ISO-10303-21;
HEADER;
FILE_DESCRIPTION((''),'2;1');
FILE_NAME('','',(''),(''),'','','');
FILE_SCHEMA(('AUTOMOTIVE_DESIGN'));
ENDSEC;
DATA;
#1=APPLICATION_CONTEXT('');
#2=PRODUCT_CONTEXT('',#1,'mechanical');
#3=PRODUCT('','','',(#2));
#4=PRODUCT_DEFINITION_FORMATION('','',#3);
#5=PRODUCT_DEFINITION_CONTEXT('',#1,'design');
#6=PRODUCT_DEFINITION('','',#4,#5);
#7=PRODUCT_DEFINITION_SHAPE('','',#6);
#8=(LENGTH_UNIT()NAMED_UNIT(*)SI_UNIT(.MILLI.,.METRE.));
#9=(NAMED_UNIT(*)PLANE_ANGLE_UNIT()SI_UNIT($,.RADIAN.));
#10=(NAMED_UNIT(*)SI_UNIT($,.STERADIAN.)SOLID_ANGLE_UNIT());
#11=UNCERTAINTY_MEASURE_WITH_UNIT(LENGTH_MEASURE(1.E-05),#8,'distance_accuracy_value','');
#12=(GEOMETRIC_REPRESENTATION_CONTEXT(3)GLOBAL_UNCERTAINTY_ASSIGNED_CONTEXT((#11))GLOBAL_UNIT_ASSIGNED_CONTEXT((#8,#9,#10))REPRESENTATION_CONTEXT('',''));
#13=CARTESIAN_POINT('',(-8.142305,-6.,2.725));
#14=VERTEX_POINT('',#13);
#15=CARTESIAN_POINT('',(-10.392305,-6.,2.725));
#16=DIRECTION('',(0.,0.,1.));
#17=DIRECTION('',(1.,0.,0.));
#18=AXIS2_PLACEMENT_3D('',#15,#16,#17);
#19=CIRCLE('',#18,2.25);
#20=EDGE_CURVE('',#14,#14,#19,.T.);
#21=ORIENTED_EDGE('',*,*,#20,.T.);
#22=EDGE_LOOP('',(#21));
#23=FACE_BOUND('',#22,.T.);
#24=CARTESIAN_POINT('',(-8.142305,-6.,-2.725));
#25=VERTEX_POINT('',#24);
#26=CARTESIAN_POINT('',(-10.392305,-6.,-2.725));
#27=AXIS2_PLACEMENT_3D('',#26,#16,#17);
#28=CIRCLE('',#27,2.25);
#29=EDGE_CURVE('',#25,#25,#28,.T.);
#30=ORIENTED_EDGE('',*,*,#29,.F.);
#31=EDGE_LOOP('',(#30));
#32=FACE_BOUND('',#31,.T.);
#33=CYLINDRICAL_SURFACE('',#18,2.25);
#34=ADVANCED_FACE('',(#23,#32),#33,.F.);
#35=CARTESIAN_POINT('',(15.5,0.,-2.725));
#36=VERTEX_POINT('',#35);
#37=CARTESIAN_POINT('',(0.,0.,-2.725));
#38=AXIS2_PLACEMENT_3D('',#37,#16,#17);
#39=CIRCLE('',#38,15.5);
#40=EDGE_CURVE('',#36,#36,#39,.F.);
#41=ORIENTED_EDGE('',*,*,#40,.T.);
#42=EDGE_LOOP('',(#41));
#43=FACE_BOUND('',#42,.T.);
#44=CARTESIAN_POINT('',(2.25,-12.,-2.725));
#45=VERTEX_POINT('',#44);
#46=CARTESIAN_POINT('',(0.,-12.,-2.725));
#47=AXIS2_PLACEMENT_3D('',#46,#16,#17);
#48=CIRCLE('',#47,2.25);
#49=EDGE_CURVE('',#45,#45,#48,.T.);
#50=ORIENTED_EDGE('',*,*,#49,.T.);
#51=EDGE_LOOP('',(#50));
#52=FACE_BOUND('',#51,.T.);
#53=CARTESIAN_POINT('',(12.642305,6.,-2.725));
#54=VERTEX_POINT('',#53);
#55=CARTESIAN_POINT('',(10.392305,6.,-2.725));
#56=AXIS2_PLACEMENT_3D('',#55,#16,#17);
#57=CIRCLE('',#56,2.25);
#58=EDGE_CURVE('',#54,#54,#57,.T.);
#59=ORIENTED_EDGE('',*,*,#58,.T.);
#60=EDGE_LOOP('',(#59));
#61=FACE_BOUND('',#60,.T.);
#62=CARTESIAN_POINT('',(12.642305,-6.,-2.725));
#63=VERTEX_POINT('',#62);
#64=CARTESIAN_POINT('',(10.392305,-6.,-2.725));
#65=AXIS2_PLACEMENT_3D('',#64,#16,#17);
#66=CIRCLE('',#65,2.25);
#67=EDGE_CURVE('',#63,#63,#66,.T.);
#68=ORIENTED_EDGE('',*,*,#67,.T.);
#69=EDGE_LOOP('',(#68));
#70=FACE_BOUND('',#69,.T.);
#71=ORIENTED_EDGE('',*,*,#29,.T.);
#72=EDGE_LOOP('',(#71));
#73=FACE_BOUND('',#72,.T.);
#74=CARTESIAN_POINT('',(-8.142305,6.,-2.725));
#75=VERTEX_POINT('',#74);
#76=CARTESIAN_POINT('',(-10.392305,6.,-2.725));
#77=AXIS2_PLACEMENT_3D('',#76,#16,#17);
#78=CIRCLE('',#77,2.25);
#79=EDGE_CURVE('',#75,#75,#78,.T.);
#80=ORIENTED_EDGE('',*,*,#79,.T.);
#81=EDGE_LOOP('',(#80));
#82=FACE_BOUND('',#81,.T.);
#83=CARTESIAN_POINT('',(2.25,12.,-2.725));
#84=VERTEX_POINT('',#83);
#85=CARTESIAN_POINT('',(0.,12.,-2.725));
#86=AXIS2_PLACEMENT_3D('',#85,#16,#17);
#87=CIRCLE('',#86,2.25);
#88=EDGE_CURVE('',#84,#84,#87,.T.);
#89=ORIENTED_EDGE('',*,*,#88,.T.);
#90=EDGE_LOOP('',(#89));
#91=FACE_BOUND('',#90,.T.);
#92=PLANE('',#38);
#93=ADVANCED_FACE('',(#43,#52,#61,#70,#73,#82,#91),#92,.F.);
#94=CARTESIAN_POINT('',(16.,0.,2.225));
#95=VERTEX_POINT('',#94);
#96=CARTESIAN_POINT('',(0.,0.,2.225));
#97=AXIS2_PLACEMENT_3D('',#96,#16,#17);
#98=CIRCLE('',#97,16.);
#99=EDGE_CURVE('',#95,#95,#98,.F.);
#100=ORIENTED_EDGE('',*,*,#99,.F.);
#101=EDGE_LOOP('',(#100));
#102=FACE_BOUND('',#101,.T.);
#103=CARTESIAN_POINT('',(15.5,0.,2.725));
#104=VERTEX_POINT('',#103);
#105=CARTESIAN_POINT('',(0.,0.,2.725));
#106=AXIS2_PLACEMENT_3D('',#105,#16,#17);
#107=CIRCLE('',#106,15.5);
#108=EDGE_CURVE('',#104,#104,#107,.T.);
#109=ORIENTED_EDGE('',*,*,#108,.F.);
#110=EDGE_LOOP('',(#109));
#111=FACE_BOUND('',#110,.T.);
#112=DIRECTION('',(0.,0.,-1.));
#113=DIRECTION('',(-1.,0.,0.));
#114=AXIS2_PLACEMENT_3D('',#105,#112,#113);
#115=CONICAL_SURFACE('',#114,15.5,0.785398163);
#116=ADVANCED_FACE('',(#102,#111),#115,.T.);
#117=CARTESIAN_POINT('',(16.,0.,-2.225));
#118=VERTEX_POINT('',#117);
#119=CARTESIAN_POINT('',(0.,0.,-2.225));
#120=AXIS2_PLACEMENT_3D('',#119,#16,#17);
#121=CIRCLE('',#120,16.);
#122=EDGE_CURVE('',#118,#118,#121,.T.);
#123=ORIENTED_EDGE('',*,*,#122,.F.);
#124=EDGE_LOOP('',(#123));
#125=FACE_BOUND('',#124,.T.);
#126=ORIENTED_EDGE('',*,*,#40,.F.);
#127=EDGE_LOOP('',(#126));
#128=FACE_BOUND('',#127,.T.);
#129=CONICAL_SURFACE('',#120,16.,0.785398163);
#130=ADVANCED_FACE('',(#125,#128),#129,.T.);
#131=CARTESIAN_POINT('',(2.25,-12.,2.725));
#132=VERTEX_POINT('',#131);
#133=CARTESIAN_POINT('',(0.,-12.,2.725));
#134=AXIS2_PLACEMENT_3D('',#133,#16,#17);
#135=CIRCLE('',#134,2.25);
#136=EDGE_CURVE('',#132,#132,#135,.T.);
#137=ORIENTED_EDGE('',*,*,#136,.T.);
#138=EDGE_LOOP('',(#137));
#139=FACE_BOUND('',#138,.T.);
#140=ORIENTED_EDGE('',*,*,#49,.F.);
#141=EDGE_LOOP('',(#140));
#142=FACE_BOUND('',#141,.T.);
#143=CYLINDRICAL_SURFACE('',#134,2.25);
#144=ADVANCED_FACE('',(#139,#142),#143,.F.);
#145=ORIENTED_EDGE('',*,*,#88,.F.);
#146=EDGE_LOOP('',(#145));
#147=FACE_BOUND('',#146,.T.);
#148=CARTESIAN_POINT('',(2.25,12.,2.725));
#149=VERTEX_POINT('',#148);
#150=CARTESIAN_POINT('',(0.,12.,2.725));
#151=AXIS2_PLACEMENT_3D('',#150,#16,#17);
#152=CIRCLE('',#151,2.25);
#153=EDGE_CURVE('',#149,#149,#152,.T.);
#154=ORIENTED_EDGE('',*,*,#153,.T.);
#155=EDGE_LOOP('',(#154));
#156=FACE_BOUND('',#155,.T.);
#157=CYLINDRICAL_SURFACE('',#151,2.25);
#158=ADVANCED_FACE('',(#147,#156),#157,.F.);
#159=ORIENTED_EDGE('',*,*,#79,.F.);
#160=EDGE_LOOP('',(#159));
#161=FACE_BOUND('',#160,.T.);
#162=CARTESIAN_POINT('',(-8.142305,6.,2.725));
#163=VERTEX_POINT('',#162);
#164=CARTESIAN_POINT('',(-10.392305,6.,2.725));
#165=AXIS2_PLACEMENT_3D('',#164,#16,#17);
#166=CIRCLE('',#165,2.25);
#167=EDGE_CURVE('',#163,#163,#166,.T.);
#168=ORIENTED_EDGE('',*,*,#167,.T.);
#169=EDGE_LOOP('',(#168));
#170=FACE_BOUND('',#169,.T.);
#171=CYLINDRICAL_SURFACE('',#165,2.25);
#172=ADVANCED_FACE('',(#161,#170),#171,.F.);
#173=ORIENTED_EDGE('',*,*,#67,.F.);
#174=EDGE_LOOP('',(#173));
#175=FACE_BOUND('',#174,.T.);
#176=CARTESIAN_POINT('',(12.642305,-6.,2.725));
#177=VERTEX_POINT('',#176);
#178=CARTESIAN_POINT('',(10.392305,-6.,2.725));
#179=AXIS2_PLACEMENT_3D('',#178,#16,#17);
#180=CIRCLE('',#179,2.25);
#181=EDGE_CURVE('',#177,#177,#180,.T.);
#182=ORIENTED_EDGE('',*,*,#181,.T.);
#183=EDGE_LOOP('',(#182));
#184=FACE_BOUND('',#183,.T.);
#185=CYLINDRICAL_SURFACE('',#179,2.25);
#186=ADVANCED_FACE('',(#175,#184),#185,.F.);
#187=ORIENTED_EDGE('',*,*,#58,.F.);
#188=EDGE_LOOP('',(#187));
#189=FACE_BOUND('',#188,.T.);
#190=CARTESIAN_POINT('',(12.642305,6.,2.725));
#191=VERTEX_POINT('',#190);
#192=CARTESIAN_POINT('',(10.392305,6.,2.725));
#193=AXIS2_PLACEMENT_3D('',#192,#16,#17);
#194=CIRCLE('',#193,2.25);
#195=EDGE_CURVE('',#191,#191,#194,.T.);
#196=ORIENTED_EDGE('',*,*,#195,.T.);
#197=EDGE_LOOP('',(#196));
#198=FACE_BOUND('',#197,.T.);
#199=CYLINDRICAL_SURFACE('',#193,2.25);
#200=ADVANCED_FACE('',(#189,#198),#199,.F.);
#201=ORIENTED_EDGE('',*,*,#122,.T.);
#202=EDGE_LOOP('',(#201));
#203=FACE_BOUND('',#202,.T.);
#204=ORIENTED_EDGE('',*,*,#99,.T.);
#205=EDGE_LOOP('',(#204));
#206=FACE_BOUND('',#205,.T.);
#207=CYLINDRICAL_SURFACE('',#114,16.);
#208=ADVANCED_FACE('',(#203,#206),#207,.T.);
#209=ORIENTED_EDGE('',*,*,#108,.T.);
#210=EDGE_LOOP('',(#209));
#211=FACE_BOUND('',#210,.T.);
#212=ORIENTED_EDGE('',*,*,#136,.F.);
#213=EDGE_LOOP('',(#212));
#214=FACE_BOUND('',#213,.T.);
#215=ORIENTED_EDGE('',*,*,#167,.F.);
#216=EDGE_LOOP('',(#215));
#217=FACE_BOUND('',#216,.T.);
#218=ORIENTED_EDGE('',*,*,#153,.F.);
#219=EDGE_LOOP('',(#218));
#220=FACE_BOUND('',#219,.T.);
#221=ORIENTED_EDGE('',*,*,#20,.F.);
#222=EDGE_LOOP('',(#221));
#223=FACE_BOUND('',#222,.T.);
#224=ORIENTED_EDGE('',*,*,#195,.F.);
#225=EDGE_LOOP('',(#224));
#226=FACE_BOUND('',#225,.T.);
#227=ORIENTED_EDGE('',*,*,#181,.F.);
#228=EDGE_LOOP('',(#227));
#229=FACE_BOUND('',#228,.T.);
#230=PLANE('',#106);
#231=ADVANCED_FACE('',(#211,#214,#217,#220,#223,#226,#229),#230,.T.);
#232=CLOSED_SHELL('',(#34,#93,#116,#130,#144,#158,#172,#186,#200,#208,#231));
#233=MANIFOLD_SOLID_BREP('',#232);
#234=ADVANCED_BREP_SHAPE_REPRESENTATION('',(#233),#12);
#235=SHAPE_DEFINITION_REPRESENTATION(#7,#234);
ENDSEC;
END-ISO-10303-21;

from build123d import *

# Parameters (mm, degrees)
SKIZZE1_R                       = 16
AUFSATZ_LINEAR_AUSTRAGEN1_DEPTH = 2.725
DURCHGANGSLOCH_F_R_M41_D        = 4.5
FASE1_SIZE                      = 0.5


with BuildPart() as part:
    # Skizze1 → Aufsatz-Linear austragen1 (new, symmetric)
    with BuildSketch(Plane.XY):
        Circle(SKIZZE1_R)
    extrude(amount=AUFSATZ_LINEAR_AUSTRAGEN1_DEPTH, both=True)

    # Durchgangsloch für M41 (through all)
    with Locations(Plane.XY.offset(2.725)):
        with Locations((-10.392304845, 6), (0, 12), (10.392304845, 6), (10.392304845, -6), (0, -12), (-10.392304845, -6)):
            Hole(DURCHGANGSLOCH_F_R_M41_D / 2)

    # Fase1
    fase1_edges = [part.edges().sort_by_distance(p)[0] for p in [
        (-16, 0, -2.725),
        (-16, 0, 2.725),
    ]]
    chamfer(fase1_edges, length=FASE1_SIZE)


solid = part.part
